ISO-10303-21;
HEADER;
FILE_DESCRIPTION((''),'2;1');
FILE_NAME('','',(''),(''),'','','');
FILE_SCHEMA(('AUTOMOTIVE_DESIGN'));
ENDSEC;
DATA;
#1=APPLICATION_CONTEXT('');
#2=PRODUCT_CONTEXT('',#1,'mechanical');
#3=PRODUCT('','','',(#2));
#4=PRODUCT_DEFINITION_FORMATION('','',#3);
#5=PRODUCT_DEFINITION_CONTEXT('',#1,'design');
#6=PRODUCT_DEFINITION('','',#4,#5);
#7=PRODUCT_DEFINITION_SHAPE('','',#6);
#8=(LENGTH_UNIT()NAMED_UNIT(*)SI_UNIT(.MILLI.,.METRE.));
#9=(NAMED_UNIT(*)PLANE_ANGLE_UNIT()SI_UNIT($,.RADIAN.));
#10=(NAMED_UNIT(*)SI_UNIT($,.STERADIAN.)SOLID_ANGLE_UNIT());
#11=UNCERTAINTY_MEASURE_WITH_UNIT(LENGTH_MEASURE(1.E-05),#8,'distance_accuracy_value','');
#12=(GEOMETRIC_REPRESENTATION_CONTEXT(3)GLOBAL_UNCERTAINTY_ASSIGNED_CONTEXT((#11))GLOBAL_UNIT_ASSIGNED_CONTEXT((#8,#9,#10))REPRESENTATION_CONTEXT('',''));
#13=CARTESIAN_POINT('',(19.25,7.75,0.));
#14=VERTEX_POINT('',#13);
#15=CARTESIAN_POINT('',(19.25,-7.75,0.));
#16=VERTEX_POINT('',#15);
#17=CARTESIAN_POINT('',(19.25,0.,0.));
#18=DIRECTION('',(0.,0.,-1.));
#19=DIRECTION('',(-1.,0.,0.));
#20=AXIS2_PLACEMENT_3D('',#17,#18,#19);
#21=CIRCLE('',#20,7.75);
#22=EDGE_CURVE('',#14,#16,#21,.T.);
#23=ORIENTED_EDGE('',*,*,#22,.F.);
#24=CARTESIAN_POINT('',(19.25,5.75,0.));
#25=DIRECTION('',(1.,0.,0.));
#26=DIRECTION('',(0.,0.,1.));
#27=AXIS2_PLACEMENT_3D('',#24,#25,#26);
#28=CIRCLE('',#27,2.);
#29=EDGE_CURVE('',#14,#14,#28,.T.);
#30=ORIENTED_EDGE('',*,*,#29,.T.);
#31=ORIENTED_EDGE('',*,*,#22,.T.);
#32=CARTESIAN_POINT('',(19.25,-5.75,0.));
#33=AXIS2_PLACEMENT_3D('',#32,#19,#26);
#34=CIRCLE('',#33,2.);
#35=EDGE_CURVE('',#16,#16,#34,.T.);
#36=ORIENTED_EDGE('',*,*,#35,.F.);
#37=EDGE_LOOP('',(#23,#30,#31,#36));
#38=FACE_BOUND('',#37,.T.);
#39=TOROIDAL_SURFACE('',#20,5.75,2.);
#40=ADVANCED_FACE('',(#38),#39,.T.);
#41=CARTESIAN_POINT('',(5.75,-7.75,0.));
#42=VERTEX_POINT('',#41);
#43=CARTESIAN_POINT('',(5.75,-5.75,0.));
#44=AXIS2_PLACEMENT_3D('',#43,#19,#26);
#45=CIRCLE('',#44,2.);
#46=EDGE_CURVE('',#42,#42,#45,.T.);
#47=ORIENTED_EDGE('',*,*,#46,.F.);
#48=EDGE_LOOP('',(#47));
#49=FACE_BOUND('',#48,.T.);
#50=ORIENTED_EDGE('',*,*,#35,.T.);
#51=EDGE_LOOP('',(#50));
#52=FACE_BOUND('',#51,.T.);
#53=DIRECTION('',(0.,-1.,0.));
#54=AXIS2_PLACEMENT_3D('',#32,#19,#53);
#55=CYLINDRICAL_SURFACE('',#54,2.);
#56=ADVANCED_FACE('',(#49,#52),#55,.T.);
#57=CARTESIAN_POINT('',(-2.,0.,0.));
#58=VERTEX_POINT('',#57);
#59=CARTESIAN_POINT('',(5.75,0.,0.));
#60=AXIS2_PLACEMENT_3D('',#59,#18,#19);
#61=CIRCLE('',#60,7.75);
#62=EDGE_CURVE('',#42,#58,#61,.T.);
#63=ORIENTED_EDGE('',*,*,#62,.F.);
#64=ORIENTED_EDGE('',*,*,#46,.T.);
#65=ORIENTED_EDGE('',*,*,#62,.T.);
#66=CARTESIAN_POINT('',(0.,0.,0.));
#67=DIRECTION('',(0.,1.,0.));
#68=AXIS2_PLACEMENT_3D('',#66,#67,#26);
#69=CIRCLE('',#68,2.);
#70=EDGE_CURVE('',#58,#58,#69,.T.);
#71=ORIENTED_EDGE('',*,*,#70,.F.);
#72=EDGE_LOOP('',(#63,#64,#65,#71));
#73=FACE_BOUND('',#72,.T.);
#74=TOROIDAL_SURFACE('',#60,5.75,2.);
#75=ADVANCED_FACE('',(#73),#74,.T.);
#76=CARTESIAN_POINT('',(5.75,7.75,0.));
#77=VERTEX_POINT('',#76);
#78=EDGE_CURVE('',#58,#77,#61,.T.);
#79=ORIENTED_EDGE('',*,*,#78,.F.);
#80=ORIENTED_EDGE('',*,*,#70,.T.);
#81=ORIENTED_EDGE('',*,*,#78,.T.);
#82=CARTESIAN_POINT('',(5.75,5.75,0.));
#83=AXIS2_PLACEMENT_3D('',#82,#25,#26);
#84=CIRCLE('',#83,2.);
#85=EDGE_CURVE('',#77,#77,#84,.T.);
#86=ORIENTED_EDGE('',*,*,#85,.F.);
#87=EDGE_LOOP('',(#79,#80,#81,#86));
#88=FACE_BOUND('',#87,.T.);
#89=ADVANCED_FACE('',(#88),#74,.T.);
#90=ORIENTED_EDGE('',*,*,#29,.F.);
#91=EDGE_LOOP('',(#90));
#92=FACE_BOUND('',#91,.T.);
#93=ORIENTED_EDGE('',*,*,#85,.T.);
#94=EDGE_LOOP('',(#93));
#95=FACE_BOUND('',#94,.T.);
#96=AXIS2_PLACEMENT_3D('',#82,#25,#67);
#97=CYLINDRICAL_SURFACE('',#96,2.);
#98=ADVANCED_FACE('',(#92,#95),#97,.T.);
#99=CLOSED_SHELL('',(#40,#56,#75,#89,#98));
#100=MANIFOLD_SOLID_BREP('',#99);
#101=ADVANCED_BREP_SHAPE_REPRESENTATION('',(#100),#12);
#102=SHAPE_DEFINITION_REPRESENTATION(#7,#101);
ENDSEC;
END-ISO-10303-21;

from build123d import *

# Parameters (mm, degrees)
SKETCH_2_R = 2


with BuildPart() as part:
    # По траектории1: sweep along a path in Эскиз1
    with BuildLine(Plane.XY) as sweep_1_path:
        Line((19.25, -5.75), (5.75, -5.75))
        ThreePointArc((5.75, -5.75), (0, 0), (5.75, 5.75))
        Line((5.75, 5.75), (19.25, 5.75))
        ThreePointArc((19.25, 5.75), (25, 0), (19.25, -5.75))
    # Эскиз2 → По траектории1 (sweep)
    with BuildSketch(Plane(origin=(0, 0, 0), x_dir=(1, 0, 0), z_dir=(0, 1, 0))):
        Circle(SKETCH_2_R)
    sweep(path=sweep_1_path.line)


solid = part.part
